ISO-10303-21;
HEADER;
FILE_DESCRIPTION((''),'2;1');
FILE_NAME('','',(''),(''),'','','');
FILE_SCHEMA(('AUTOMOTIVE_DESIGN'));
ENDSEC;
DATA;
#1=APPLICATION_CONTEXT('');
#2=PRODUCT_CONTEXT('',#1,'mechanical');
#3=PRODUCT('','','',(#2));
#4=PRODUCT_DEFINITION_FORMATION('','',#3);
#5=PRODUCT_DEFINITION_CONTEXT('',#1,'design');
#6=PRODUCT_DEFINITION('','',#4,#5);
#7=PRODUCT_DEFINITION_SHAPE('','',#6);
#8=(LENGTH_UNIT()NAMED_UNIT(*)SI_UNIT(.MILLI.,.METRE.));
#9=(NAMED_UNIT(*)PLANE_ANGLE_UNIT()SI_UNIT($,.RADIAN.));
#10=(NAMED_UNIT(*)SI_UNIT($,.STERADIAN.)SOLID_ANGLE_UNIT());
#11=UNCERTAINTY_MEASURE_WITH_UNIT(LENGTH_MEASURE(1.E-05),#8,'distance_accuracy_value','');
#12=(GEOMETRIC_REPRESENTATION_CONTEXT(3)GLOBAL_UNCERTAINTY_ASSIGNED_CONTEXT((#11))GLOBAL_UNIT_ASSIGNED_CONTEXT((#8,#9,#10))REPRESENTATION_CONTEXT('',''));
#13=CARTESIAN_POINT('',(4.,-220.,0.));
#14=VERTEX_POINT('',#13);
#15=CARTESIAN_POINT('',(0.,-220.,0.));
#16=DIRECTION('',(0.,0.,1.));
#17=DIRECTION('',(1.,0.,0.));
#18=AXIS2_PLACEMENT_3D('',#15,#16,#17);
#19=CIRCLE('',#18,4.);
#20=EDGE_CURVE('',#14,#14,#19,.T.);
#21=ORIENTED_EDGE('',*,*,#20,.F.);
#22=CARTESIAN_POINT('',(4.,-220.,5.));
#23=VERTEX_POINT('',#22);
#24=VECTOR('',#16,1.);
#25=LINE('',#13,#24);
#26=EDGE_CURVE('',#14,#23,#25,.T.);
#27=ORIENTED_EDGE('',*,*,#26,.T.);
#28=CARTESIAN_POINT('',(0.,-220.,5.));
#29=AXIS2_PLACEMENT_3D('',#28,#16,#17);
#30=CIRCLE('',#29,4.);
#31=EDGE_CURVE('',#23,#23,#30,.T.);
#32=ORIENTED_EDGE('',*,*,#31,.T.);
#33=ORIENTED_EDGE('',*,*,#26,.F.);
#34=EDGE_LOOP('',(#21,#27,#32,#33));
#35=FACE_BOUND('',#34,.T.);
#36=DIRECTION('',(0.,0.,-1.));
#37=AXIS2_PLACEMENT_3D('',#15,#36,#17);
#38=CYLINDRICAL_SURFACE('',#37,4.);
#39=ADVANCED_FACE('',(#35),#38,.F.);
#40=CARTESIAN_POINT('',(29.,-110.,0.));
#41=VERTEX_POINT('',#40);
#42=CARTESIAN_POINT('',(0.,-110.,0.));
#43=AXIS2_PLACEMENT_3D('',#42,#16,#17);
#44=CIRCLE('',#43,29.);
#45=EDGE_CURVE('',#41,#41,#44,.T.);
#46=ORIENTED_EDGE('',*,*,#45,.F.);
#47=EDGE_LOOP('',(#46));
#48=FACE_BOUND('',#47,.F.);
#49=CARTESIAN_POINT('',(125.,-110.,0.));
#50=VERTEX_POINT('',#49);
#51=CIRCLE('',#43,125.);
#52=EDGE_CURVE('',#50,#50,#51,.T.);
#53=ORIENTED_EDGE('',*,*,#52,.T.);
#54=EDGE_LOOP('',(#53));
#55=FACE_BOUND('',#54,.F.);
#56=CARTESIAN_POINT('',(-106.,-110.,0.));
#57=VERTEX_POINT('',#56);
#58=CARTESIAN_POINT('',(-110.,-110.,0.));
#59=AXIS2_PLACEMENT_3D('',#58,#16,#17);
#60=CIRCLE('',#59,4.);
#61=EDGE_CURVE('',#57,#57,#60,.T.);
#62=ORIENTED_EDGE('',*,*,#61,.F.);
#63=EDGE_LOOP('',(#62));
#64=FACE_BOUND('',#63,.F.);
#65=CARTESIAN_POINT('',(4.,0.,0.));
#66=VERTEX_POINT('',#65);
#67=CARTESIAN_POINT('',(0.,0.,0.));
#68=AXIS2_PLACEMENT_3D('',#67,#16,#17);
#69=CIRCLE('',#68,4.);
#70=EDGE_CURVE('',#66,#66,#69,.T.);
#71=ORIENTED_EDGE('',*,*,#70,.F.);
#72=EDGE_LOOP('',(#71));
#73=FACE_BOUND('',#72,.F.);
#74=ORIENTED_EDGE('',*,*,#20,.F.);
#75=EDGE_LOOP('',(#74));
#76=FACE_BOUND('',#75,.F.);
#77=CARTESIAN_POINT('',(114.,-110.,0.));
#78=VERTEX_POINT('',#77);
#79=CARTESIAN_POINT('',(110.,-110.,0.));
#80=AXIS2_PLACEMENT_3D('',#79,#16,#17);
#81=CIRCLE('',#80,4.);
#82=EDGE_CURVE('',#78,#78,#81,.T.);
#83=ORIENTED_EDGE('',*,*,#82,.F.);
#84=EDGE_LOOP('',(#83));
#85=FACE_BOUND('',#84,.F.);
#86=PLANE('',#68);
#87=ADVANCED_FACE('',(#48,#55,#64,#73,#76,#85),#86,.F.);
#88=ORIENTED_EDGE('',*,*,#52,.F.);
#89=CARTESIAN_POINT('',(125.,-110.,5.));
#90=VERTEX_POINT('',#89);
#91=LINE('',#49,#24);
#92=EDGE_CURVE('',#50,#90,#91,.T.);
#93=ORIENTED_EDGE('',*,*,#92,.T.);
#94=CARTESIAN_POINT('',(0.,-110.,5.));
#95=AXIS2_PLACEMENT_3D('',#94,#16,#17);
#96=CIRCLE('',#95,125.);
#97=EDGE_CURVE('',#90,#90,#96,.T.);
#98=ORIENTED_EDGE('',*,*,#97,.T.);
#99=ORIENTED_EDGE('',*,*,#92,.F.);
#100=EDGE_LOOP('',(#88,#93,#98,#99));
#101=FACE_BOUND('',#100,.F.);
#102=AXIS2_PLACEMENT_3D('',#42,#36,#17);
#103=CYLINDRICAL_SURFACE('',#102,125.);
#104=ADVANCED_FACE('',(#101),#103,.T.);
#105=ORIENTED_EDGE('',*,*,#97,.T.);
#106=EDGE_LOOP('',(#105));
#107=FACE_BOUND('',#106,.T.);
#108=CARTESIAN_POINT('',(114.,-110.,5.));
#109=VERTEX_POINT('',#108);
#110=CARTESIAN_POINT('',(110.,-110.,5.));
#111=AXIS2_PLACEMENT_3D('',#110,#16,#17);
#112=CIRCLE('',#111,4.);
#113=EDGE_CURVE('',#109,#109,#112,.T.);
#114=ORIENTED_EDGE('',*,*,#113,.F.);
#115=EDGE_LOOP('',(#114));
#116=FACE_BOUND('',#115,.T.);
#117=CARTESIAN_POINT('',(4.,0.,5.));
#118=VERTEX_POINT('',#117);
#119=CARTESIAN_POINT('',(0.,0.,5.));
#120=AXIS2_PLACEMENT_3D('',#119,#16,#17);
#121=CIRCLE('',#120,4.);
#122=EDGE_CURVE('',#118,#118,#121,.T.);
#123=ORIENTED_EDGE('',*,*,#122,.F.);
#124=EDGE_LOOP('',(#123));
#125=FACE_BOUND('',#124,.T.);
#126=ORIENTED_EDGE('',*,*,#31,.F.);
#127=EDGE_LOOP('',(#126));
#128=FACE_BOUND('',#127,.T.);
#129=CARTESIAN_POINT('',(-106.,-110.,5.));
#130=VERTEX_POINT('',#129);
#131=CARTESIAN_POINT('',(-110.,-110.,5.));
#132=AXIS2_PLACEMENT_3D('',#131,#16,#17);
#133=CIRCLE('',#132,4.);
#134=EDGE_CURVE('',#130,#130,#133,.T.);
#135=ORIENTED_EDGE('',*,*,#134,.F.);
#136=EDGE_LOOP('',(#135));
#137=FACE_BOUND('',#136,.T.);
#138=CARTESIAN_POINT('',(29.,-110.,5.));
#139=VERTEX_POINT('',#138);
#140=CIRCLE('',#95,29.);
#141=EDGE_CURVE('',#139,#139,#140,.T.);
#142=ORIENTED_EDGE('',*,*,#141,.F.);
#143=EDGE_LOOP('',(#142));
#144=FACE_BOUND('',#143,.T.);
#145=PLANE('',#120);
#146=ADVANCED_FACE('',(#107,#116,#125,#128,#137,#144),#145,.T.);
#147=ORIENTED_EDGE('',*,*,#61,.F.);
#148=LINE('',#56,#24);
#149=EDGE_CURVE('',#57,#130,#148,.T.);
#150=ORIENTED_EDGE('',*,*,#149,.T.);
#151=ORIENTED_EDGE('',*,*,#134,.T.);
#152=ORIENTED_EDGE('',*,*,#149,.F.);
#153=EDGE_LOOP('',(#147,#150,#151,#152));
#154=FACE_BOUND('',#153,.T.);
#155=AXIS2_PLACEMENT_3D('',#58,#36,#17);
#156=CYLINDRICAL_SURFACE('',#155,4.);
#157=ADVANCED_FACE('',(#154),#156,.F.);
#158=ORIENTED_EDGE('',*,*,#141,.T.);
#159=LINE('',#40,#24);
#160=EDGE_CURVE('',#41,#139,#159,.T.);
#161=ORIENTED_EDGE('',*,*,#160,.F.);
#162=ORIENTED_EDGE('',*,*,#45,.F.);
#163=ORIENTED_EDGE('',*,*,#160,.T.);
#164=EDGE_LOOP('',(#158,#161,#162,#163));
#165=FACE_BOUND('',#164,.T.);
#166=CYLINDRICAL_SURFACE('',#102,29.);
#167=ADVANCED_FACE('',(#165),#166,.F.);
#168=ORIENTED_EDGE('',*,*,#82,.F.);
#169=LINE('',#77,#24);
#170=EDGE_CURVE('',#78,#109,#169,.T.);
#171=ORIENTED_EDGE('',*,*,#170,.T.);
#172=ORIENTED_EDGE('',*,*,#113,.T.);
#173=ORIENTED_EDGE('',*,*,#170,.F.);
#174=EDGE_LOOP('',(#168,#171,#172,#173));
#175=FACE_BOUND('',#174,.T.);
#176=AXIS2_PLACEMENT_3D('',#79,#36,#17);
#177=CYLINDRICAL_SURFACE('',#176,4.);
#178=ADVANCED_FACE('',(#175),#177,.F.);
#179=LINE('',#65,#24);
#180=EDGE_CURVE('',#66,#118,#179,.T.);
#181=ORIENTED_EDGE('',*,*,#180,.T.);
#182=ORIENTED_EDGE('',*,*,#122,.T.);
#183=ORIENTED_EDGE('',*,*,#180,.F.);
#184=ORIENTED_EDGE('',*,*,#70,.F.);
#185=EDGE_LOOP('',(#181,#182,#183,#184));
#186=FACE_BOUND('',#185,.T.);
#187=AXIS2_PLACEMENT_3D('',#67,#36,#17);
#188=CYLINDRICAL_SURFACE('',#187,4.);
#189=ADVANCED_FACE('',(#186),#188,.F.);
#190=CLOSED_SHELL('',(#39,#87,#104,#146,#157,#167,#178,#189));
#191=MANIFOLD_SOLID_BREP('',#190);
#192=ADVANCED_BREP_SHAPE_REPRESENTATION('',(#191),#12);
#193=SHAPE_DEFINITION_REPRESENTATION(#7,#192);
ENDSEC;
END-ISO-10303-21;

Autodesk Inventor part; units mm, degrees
ref_plane "YZ Plane" through (0, 0, 0) normal (1, 0, 0) x (0, 1, 0)
ref_plane "XZ Plane" through (0, 0, 0) normal (0, 1, 0) x (-1, 0, 0)
ref_plane "XY Plane" through (0, 0, 0) normal (0, 0, 1) x (1, 0, 0)
sketch "Sketch1" plane through (0, 0, 0) normal (0, 0, 1) x (1, 0, 0)
  circle A0 centre (0, -110) radius 125 projected
  circle A1 centre (0, -220) radius 4 projected
  circle A2 centre (110, -110) radius 4 projected
  circle A3 centre (-110, -110) radius 4 projected
  circle A4 centre (0, 0) radius 4 projected
  circle A5 centre (0, -110) radius 125 projected
  circle A6 centre (-7.5, -97.0096) radius 2 construction
  circle A7 centre (-15, -110) radius 2 construction
  circle A8 centre (-7.5, -122.9904) radius 2 construction
  circle A9 centre (7.5, -122.9904) radius 2 construction
  circle A10 centre (15, -110) radius 2 construction
  circle A11 centre (7.5, -97.0096) radius 2 construction
  circle A12 centre (0, -110) radius 29
  dimension "d0" = 58
extrude "Extrusion1" add sketch "Sketch1" along normal blind 5
properties part number "second copper plate" material "Copper"
